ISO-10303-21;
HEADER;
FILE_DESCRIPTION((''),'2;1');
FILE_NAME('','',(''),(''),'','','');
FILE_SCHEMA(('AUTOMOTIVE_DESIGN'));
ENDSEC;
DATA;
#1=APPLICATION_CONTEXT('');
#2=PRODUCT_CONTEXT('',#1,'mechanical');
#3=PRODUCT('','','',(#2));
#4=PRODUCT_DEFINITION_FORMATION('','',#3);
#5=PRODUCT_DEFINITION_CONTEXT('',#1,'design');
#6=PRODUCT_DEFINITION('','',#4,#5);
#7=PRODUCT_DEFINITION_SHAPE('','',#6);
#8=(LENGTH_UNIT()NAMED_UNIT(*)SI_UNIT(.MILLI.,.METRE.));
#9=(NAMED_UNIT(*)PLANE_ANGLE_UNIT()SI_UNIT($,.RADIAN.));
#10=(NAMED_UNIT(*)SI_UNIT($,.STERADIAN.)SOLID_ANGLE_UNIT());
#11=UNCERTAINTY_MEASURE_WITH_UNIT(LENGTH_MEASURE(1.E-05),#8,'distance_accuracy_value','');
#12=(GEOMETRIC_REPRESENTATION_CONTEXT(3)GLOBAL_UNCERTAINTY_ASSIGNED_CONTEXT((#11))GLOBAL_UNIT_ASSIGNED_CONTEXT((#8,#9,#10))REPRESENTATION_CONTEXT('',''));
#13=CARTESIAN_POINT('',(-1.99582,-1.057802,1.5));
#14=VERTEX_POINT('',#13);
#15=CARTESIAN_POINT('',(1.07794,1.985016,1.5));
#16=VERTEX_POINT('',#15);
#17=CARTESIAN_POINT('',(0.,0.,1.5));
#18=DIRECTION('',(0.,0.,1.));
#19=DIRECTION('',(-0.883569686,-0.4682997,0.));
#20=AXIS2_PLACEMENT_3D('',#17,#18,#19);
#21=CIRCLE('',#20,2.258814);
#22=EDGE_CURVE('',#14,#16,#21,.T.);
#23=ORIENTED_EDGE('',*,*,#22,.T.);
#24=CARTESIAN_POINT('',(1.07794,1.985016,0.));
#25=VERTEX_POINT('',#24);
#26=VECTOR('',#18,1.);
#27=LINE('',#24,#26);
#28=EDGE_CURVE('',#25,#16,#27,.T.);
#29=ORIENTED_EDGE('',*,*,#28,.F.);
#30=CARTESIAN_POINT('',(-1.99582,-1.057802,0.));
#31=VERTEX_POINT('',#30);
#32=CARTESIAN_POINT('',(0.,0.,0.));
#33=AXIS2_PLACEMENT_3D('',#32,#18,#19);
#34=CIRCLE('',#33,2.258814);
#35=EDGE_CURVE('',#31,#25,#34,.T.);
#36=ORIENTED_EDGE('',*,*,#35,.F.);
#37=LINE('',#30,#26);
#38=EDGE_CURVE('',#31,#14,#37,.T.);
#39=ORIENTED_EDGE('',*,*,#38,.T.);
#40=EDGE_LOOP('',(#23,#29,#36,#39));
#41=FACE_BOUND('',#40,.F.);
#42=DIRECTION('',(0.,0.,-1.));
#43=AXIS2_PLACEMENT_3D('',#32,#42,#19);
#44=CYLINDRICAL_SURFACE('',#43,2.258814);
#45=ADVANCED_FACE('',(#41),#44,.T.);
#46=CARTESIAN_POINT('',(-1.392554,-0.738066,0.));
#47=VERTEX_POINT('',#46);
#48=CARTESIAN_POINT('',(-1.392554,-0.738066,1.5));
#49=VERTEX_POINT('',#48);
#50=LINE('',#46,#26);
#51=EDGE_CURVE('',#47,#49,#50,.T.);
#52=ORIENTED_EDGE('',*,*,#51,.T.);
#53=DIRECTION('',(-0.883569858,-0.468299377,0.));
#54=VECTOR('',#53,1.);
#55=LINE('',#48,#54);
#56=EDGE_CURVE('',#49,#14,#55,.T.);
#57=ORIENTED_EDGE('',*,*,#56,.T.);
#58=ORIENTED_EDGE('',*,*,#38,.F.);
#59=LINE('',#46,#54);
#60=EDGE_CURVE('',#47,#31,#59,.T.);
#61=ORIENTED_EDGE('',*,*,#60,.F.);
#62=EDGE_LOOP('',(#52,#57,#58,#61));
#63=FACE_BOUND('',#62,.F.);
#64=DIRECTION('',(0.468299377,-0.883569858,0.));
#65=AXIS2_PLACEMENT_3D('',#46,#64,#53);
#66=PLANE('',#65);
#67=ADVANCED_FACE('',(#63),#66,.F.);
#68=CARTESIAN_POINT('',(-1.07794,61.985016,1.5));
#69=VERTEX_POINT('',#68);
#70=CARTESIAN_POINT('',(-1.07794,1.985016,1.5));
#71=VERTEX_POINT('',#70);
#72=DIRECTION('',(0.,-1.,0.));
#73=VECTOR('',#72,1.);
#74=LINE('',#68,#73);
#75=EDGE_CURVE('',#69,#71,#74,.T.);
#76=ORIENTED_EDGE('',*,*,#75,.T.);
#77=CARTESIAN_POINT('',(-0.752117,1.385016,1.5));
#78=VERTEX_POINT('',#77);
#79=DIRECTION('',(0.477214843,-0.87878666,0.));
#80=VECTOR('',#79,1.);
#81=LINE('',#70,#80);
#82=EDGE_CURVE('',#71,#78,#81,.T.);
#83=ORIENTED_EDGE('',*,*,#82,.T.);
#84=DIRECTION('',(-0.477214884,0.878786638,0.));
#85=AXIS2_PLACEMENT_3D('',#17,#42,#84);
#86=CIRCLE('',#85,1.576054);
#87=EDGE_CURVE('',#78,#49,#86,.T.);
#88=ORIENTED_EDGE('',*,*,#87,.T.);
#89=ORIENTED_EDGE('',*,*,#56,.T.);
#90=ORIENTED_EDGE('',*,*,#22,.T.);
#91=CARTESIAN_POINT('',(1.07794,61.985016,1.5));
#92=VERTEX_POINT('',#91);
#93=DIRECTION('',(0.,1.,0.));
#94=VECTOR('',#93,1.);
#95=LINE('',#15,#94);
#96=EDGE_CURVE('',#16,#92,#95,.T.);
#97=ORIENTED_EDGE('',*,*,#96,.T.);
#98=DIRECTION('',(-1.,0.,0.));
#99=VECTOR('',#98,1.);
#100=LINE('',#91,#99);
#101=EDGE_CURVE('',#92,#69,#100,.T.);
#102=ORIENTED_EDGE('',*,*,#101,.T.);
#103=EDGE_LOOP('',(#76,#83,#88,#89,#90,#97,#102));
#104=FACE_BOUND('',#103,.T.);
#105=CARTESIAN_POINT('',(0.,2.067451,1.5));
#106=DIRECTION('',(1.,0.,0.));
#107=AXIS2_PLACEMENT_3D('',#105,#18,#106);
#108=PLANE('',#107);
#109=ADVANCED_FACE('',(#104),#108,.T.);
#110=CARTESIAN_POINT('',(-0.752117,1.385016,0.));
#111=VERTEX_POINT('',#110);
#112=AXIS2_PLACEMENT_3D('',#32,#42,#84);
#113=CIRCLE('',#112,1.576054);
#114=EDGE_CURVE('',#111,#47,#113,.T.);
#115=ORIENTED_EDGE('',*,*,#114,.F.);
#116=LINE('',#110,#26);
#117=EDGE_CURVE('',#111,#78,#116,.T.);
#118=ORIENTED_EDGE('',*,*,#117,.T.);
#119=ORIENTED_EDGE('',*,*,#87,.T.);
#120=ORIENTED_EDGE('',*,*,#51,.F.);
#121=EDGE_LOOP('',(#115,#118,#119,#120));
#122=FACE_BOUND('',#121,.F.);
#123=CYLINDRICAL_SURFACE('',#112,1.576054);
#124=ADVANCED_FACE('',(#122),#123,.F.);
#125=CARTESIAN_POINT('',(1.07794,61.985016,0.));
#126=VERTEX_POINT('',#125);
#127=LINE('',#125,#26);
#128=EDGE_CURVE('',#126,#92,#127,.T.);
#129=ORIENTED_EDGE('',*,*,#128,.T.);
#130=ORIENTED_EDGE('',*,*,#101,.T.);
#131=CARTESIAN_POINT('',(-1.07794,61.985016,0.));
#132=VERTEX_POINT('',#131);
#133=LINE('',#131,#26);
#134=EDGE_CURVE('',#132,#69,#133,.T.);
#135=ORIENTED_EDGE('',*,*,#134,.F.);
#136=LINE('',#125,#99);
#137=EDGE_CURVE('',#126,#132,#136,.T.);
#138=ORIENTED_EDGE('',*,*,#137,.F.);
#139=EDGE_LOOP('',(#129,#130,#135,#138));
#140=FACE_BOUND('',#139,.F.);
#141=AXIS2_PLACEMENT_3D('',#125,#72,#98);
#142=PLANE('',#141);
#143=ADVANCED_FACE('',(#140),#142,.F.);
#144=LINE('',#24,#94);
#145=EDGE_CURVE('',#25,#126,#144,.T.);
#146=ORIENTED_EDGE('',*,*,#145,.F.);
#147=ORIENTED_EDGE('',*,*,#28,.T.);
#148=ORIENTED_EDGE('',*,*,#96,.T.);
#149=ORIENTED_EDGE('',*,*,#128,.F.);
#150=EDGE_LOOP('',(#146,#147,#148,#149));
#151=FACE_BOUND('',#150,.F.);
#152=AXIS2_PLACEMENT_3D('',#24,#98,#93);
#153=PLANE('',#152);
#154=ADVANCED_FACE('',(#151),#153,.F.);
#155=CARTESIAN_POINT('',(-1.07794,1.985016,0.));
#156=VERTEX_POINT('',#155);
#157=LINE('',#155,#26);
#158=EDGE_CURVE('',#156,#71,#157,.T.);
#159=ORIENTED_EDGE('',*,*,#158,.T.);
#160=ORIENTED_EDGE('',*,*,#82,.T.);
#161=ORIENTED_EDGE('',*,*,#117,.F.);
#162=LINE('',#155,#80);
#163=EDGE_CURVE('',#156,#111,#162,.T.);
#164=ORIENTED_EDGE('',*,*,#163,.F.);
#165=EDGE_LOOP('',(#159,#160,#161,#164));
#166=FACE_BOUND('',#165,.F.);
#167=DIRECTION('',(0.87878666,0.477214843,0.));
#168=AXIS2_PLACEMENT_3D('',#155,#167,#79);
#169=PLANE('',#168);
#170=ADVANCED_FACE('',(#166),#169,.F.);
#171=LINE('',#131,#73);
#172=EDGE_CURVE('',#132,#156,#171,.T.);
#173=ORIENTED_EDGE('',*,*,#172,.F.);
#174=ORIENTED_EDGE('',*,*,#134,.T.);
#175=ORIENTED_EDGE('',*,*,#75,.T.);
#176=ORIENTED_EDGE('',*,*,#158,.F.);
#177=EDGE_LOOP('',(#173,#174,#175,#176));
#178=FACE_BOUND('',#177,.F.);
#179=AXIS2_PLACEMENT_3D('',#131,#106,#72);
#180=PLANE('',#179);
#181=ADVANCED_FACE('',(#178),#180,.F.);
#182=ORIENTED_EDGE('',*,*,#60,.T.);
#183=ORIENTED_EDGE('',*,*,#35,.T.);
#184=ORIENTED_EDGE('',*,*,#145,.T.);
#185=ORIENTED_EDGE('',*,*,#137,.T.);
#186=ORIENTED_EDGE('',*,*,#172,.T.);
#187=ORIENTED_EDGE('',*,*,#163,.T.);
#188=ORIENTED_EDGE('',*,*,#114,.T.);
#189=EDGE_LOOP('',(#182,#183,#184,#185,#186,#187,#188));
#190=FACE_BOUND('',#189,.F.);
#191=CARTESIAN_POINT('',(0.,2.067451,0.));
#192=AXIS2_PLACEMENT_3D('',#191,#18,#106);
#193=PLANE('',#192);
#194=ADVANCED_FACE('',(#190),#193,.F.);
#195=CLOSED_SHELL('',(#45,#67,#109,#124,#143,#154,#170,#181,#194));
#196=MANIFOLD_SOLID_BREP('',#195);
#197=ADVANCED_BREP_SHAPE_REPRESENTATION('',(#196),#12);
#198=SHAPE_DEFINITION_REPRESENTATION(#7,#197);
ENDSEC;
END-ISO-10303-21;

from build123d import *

# Parameters (mm, degrees)
F1_DEPTH = 1.5


with BuildPart() as f1:
    # F0 (on Top) → F1 (new body)
    with BuildSketch(Plane.XY):
        with BuildLine():
            ThreePointArc((1.07794, 1.985016), (0, 2.258814), (-1.07794, 1.985016))
            Line((-1.07794, 1.985016), (1.07794, 1.985016))
        make_face()
        with BuildLine():
            Line((-1.07794, 61.985016), (-1.07794, 1.985016))
            ThreePointArc((-1.07794, 1.985016), (0, 2.258814), (1.07794, 1.985016))
            Line((1.07794, 1.985016), (1.07794, 61.985016))
            Line((1.07794, 61.985016), (-1.07794, 61.985016))
        make_face()
        with BuildLine():
            Line((-1.07794, 1.985016), (-0.752117, 1.385016))
            ThreePointArc((-0.752117, 1.385016), (1.508897, -0.455166), (-1.392554, -0.738066))
            Line((-1.392554, -0.738066), (-1.99582, -1.057802))
            ThreePointArc((-1.99582, -1.057802), (1.589123, -1.605282), (1.07794, 1.985016))
            Line((1.07794, 1.985016), (-1.07794, 1.985016))
        make_face()
    extrude(amount=F1_DEPTH)


solid = f1.part
